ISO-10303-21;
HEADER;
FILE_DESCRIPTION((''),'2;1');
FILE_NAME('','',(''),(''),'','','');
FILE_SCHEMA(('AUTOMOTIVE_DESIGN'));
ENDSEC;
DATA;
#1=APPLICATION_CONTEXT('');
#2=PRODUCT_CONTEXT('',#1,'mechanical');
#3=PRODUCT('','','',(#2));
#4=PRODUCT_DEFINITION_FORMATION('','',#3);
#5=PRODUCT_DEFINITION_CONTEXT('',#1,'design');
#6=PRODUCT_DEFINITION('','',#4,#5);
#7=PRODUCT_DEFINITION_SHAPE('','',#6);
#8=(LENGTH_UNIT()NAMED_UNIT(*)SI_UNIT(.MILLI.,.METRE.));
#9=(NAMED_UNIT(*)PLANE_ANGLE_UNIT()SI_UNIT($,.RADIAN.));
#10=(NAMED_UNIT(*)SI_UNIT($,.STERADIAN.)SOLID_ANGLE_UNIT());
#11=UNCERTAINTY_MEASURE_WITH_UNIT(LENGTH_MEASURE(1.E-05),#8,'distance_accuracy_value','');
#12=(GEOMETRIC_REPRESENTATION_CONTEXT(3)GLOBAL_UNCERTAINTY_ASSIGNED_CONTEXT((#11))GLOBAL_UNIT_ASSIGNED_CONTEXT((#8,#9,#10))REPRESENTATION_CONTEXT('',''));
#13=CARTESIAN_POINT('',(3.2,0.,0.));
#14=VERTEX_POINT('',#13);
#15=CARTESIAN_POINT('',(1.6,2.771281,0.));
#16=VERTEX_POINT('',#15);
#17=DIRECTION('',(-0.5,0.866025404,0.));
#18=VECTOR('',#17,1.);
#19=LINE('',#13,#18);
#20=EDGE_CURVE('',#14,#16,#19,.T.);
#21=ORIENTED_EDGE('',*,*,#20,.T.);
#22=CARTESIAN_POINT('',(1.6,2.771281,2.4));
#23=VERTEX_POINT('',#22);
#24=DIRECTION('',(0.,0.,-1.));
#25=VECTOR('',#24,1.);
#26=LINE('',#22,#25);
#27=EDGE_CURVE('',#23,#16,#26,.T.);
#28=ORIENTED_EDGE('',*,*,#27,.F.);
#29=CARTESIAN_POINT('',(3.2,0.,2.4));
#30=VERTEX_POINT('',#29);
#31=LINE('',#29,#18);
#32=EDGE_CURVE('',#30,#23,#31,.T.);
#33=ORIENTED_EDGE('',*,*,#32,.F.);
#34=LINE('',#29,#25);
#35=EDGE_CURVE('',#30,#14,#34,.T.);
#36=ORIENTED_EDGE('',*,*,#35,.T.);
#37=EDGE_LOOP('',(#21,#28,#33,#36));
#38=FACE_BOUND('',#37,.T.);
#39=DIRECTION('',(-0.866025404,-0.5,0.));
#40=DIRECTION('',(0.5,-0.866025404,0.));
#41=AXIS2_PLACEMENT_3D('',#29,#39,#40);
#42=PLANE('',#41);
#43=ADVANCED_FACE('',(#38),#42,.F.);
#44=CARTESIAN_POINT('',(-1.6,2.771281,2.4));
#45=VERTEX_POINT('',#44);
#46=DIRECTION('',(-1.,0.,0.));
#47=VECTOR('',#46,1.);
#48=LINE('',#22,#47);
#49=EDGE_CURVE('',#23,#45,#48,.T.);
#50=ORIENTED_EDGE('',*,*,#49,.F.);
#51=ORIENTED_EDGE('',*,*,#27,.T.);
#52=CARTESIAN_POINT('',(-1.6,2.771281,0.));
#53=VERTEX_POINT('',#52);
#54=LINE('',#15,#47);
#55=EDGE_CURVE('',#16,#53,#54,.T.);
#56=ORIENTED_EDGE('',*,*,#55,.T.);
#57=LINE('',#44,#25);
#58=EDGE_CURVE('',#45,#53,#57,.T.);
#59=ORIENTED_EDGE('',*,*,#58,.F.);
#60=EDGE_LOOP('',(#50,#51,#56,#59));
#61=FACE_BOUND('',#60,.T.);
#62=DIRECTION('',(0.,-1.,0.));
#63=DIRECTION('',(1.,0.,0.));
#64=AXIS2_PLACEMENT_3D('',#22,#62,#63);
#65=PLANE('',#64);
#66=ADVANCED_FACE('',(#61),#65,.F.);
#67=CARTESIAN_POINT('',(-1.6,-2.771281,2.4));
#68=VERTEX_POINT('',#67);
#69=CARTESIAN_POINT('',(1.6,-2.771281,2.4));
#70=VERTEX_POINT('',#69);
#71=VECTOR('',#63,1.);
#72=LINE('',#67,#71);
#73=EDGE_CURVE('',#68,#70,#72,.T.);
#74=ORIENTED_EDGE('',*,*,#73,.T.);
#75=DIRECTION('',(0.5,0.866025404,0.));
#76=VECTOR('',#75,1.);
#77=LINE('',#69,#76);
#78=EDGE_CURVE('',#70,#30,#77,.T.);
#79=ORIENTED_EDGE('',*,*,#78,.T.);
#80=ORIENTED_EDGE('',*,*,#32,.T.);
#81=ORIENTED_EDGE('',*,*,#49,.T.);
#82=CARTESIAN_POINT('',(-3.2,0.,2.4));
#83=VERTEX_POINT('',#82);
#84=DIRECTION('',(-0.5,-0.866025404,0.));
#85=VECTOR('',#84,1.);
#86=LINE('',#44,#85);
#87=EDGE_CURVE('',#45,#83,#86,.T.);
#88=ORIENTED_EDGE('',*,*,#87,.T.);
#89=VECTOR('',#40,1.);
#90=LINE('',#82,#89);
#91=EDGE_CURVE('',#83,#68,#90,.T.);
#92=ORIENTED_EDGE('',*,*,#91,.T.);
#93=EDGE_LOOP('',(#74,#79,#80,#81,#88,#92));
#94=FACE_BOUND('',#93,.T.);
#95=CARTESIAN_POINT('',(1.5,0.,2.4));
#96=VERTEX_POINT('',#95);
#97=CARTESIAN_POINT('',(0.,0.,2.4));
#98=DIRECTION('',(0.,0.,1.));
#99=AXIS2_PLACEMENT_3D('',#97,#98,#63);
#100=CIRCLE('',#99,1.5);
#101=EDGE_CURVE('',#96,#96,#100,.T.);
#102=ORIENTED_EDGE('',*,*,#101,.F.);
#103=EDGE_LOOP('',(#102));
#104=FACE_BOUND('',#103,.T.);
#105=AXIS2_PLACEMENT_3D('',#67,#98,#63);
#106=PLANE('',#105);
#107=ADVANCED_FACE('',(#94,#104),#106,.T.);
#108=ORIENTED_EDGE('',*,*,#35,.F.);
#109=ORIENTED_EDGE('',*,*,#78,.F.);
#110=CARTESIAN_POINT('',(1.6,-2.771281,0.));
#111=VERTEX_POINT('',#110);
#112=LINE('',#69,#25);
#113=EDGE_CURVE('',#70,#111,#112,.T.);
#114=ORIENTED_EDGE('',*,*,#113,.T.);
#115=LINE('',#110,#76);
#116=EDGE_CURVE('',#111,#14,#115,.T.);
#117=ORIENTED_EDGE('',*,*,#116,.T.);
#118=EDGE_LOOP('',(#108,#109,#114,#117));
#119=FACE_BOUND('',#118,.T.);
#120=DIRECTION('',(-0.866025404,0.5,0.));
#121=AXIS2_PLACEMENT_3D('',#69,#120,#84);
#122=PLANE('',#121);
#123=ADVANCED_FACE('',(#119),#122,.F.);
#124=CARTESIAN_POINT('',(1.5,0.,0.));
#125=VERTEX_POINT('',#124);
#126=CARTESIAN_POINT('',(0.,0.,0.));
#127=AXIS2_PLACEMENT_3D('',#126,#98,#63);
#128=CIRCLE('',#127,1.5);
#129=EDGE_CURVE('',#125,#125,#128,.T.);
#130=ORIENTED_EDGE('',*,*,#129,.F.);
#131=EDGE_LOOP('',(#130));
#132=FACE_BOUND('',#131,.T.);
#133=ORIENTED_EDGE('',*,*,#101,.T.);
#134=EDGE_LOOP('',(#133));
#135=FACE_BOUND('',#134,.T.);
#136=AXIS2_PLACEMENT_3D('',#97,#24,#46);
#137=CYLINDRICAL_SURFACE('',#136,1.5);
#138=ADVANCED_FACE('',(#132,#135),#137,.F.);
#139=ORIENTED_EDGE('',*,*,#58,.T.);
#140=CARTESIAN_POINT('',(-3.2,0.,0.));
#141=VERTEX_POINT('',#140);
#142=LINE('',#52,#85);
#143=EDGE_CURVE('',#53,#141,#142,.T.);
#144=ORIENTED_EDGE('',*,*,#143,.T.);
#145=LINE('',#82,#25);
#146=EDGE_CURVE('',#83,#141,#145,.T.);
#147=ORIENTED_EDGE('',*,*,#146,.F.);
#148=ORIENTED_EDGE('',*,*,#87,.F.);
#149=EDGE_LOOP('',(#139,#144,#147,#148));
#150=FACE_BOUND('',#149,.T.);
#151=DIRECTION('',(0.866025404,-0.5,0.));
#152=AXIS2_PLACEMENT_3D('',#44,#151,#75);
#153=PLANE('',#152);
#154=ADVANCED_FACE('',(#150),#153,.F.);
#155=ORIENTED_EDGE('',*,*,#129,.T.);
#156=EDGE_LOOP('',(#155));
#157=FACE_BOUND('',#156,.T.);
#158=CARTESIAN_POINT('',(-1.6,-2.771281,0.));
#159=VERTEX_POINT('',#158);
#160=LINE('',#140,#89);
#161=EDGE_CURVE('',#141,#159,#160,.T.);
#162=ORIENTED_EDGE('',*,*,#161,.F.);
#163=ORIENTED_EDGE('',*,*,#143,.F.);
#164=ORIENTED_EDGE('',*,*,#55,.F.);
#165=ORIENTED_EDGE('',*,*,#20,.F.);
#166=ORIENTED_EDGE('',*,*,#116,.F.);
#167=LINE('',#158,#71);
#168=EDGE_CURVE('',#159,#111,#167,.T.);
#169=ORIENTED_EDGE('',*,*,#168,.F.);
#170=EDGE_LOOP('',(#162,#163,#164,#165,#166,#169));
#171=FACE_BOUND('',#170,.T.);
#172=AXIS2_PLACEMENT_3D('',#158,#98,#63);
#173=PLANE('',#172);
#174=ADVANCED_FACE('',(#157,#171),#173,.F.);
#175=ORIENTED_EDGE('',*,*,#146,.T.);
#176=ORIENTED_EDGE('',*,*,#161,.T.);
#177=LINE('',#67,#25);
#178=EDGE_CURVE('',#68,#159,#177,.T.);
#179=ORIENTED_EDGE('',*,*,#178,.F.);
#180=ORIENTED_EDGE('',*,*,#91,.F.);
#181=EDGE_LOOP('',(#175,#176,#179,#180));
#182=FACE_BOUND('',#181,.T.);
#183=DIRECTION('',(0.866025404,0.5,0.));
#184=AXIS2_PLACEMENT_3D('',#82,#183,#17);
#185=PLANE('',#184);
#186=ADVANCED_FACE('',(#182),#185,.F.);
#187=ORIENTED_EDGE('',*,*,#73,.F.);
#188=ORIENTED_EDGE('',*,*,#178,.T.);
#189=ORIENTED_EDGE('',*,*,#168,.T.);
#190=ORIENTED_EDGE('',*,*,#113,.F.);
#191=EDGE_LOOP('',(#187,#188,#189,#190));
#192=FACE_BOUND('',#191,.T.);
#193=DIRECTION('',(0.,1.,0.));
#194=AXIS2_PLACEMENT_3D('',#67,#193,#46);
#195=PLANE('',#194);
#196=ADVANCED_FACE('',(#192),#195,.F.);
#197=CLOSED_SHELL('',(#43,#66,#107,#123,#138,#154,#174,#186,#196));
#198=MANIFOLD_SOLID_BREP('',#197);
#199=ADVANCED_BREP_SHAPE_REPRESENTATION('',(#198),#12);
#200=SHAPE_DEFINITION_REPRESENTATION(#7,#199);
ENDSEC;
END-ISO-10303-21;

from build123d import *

# Parameters (mm, degrees)
ESQUISSE1_R      = 1.5
EXTRUSION1_DEPTH = 2.4


with BuildPart() as part:
    # Esquisse1 → Extrusion1 (new body)
    with BuildSketch(Plane.XY):
        Polygon((-1.6, -2.771281292), (1.6, -2.771281292), (3.2, 0), (1.6, 2.771281292), (-1.6, 2.771281292), (-3.2, 0), align=None)
        Circle(ESQUISSE1_R, mode=Mode.SUBTRACT)
    extrude(amount=EXTRUSION1_DEPTH)


solid = part.part
